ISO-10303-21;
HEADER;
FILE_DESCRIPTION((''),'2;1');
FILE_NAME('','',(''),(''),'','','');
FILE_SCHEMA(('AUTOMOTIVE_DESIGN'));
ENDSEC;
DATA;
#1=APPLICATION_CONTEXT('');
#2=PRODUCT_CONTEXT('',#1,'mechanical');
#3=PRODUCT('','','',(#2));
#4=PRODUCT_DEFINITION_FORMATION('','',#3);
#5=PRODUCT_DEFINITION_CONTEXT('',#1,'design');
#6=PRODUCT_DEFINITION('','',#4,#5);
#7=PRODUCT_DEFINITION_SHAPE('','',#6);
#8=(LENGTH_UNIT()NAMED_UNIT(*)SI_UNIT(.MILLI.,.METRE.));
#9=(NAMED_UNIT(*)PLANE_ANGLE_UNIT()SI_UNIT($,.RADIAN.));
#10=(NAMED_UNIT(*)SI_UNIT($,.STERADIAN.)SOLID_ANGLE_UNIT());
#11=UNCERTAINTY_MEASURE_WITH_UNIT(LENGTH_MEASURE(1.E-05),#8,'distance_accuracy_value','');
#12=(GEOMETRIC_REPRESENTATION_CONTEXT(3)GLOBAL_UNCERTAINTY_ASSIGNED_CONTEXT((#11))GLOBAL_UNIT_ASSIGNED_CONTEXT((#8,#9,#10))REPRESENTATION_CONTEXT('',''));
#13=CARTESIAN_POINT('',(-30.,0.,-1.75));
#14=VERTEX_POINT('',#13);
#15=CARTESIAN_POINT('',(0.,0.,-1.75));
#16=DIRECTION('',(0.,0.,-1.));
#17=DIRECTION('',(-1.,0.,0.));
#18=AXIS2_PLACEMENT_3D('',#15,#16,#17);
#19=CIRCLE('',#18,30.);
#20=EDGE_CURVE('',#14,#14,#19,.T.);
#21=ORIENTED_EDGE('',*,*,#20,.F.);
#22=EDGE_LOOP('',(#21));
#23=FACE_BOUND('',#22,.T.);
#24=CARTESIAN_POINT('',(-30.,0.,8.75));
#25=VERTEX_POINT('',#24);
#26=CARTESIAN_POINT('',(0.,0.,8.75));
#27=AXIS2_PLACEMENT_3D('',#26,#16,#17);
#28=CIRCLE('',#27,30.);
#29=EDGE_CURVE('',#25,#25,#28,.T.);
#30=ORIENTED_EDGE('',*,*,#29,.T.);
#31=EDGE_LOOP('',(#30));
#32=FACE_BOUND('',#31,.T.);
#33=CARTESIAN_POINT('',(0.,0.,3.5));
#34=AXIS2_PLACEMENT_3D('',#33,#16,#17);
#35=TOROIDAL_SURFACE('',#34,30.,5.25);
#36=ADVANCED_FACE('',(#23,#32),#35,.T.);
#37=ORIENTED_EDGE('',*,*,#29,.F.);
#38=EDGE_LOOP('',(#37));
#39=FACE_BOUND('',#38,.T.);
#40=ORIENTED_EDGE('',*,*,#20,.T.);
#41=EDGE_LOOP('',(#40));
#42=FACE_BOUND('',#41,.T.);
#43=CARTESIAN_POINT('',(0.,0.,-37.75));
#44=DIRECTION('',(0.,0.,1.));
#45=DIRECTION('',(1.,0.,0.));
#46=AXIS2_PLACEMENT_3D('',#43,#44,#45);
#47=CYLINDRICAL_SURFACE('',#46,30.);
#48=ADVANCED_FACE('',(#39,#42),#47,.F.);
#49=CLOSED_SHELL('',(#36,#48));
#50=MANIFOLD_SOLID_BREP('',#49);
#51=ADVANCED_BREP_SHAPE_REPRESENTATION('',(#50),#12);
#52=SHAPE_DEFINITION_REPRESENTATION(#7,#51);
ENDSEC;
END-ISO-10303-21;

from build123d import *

# Parameters (mm, degrees)
SKETCH_1_R          = 25
EXTRUDE_1_DEPTH     = 7
SKETCH_2_R          = 20
CUT_EXTRUDE_1_DEPTH = 31
SCALE_1_SCALE       = 1.5


with BuildPart() as part:
    # 草图1 → 凸台-拉伸1 (new body)
    with BuildSketch(Plane.XY):
        Circle(SKETCH_1_R)
    extrude(amount=EXTRUDE_1_DEPTH)

    # 草图2 → 切除-拉伸1 (cut)
    with BuildSketch(Plane.XY.offset(7)):
        Circle(SKETCH_2_R)
    extrude(amount=-CUT_EXTRUDE_1_DEPTH, mode=Mode.SUBTRACT)

    # 草图7 → 切除-旋转1 (revolve, cut)
    with BuildSketch(Plane(origin=(0, 0, 0), x_dir=(0, -1, 0), z_dir=(-1, 0, 0)), mode=Mode.PRIVATE) as cut_revolve_1_sk:
        with BuildLine():
            Line((-20, 7), (-25, 7))
            Line((-25, 7), (-25, 0))
            Line((-25, 0), (-20, 0))
            ThreePointArc((-20, 0), (-23.5, 3.5), (-20, 7))
        make_face()
    revolve(cut_revolve_1_sk.sketch.rotate(Axis((0, 0, 0), (0, 0, 1)), 90), axis=Axis((0, 0, 0), (0, 0, 1)), mode=Mode.SUBTRACT)


with BuildPart() as part_1:
    # 缩放比例1: scaled about (0, 0, 3.5)
    add(part.part.scale(SCALE_1_SCALE).moved(Location((0, 0, -1.75))))


solid = part_1.part
